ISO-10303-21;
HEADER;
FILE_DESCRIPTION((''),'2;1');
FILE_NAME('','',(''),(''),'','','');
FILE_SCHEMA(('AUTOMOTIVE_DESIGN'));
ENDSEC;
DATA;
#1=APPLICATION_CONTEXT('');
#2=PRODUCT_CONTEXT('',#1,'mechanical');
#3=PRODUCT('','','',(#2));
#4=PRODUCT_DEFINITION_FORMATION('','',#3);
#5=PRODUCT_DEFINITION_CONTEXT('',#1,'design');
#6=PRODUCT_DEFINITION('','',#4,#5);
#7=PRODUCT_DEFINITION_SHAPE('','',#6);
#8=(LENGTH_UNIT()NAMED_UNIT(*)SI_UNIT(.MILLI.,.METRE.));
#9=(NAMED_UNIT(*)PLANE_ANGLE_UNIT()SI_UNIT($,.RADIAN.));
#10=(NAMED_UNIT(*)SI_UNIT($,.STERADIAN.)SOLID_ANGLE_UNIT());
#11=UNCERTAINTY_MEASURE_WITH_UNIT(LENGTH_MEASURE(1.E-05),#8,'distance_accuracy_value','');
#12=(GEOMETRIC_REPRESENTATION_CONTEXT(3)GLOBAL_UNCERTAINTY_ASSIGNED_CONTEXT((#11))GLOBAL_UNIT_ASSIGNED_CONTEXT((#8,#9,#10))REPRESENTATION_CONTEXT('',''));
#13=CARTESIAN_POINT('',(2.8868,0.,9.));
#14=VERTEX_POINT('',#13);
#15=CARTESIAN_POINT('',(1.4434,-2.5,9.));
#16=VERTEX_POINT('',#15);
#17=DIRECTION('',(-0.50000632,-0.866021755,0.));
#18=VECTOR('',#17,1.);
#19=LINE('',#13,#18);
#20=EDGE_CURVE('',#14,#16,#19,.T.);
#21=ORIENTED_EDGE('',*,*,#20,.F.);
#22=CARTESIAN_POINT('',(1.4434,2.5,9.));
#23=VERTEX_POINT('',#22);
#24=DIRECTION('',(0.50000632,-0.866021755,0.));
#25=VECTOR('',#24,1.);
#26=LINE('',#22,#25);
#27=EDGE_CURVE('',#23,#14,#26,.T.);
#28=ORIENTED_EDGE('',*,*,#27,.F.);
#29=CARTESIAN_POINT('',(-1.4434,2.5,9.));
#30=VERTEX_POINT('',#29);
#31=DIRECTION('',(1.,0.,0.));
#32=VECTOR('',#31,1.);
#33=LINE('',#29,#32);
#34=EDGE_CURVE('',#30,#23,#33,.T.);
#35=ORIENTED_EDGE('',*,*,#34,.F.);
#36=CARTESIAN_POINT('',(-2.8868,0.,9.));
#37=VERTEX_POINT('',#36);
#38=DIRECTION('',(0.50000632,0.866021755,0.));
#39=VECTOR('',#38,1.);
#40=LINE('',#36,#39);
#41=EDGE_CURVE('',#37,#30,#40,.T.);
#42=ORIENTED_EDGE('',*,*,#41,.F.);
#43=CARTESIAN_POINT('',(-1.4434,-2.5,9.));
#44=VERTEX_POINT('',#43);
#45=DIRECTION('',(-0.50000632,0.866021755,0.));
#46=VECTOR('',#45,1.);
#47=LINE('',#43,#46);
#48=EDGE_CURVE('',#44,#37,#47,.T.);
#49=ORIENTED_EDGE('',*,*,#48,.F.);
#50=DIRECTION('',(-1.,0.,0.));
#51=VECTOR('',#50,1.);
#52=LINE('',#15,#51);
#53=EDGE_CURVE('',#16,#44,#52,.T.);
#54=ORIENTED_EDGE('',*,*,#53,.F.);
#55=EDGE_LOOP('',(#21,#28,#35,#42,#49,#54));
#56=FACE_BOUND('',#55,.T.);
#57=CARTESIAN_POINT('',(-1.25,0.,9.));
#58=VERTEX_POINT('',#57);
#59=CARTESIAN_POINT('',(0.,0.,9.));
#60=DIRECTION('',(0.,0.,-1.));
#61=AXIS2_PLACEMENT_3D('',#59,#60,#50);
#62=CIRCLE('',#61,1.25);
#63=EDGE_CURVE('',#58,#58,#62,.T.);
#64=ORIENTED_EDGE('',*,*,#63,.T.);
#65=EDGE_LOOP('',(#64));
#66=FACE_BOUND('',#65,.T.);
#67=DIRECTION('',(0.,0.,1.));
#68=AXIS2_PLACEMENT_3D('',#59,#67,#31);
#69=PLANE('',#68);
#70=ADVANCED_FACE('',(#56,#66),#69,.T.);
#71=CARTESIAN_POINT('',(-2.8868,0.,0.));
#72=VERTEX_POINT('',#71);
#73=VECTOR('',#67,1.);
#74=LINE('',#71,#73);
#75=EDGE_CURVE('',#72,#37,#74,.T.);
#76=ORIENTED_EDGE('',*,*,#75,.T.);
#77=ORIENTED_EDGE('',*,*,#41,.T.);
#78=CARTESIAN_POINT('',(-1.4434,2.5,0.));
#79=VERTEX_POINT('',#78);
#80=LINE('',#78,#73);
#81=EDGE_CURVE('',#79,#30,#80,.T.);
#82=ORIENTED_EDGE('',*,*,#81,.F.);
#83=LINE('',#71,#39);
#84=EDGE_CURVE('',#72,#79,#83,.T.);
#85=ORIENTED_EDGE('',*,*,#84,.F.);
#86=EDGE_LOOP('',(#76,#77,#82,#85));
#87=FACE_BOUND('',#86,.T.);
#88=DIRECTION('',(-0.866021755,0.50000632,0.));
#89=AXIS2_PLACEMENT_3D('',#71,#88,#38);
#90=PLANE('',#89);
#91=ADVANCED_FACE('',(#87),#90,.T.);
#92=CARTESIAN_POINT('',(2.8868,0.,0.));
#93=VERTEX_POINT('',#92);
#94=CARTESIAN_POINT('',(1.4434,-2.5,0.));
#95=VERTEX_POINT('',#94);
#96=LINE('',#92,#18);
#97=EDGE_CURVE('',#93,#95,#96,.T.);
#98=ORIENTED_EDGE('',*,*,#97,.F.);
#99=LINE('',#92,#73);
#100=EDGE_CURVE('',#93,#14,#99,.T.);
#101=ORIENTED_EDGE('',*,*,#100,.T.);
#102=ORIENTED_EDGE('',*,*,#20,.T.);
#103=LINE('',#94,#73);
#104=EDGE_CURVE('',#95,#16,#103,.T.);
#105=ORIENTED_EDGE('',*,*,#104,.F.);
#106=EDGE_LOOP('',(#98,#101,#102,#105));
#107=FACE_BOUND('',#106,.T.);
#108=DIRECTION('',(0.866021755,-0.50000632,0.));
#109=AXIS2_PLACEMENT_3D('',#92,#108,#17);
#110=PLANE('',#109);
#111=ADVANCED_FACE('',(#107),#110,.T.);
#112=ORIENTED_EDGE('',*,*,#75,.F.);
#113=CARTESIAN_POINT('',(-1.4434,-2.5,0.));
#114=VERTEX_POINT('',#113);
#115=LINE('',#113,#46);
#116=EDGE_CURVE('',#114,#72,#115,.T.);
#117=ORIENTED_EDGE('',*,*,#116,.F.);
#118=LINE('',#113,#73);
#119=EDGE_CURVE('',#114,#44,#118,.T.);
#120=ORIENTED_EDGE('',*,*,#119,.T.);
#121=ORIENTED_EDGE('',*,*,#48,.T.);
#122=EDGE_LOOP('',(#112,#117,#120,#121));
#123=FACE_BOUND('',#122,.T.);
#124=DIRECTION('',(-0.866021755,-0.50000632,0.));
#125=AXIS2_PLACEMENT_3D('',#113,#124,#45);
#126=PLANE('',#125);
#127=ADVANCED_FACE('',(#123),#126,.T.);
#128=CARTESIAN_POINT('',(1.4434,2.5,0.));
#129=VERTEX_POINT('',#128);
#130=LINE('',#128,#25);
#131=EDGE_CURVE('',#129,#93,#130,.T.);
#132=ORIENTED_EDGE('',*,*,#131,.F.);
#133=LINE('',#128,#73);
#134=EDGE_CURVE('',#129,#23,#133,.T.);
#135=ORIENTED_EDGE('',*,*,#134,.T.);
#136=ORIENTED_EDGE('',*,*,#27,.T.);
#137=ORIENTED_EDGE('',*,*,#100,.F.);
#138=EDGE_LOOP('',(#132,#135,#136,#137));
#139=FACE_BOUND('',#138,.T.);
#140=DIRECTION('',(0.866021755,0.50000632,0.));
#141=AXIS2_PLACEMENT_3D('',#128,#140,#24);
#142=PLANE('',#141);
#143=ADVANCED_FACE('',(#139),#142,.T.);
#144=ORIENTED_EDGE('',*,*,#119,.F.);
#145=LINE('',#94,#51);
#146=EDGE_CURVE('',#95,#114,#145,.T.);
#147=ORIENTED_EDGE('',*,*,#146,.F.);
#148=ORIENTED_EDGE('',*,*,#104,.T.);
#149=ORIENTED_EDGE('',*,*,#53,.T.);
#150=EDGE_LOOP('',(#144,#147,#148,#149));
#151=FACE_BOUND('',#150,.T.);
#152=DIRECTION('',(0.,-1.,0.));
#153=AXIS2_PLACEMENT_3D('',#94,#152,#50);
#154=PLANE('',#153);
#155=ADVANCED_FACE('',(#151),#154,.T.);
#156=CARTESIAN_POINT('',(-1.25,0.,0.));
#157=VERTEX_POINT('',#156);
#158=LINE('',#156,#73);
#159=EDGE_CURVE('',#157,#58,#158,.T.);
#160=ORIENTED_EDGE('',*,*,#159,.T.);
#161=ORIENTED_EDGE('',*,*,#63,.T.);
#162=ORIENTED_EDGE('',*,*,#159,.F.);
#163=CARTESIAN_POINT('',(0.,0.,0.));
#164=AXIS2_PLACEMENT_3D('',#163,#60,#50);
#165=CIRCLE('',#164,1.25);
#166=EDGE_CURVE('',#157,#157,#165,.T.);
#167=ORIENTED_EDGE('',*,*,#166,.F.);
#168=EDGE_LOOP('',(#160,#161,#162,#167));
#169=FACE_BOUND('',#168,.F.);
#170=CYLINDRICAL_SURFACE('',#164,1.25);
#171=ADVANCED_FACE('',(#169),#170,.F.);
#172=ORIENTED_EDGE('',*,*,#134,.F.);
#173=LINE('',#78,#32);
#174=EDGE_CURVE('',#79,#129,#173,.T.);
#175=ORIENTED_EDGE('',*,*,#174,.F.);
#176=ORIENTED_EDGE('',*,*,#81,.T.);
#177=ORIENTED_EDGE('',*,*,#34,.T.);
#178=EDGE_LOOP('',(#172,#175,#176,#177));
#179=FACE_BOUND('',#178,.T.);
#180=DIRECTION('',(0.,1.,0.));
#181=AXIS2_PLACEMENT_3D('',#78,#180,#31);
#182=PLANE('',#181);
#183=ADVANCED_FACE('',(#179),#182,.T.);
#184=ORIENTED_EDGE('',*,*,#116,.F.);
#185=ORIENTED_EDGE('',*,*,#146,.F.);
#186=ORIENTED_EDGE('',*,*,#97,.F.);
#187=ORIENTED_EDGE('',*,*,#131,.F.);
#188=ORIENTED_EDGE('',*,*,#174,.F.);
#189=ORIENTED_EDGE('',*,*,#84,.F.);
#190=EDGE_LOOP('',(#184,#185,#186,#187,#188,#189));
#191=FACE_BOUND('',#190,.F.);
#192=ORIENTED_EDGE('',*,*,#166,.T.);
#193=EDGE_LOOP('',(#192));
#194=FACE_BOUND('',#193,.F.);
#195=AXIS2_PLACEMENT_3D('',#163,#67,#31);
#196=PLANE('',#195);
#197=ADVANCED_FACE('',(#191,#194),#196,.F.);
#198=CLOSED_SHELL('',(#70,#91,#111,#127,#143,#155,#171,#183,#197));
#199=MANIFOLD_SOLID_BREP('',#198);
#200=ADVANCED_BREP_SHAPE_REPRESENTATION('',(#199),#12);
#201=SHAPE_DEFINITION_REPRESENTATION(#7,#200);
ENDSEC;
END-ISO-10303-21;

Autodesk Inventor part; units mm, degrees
ref_plane "YZ Plane" through (0, 0, 0) normal (1, 0, 0) x (0, 1, 0)
ref_plane "XZ Plane" through (0, 0, 0) normal (0, 1, 0) x (-1, 0, 0)
ref_plane "XY Plane" through (0, 0, 0) normal (0, 0, 1) x (1, 0, 0)
sketch "Sketch1" plane through (0, 0, 0) normal (0, 0, 1) x (1, 0, 0)
  line L0 (2.8868, 0) -> (1.4434, -2.5)
  line L1 (1.4434, -2.5) -> (-1.4434, -2.5)
  line L2 (-1.4434, -2.5) -> (-2.8868, 0)
  line L3 (-2.8868, 0) -> (-1.4434, 2.5)
  line L4 (-1.4434, 2.5) -> (1.4434, 2.5)
  line L5 (1.4434, 2.5) -> (2.8868, 0)
  point P0 (0, 0)
  point P1 (0, 0)
  dimension "d0" = 5
extrude "Extrusion1" add sketch "Sketch1" along normal blind 9
sketch "Sketch3" plane through (0, 0, 0) normal (0, 0, -1) x (-1, 0, 0)
  circle A0 centre (0, 0) radius 1.25
  dimension "d6" = 2.5
extrude "Extrusion3" cut sketch "Sketch3" against normal through all
properties part number "M2.5x9mm_Standoff_ 970090144"
